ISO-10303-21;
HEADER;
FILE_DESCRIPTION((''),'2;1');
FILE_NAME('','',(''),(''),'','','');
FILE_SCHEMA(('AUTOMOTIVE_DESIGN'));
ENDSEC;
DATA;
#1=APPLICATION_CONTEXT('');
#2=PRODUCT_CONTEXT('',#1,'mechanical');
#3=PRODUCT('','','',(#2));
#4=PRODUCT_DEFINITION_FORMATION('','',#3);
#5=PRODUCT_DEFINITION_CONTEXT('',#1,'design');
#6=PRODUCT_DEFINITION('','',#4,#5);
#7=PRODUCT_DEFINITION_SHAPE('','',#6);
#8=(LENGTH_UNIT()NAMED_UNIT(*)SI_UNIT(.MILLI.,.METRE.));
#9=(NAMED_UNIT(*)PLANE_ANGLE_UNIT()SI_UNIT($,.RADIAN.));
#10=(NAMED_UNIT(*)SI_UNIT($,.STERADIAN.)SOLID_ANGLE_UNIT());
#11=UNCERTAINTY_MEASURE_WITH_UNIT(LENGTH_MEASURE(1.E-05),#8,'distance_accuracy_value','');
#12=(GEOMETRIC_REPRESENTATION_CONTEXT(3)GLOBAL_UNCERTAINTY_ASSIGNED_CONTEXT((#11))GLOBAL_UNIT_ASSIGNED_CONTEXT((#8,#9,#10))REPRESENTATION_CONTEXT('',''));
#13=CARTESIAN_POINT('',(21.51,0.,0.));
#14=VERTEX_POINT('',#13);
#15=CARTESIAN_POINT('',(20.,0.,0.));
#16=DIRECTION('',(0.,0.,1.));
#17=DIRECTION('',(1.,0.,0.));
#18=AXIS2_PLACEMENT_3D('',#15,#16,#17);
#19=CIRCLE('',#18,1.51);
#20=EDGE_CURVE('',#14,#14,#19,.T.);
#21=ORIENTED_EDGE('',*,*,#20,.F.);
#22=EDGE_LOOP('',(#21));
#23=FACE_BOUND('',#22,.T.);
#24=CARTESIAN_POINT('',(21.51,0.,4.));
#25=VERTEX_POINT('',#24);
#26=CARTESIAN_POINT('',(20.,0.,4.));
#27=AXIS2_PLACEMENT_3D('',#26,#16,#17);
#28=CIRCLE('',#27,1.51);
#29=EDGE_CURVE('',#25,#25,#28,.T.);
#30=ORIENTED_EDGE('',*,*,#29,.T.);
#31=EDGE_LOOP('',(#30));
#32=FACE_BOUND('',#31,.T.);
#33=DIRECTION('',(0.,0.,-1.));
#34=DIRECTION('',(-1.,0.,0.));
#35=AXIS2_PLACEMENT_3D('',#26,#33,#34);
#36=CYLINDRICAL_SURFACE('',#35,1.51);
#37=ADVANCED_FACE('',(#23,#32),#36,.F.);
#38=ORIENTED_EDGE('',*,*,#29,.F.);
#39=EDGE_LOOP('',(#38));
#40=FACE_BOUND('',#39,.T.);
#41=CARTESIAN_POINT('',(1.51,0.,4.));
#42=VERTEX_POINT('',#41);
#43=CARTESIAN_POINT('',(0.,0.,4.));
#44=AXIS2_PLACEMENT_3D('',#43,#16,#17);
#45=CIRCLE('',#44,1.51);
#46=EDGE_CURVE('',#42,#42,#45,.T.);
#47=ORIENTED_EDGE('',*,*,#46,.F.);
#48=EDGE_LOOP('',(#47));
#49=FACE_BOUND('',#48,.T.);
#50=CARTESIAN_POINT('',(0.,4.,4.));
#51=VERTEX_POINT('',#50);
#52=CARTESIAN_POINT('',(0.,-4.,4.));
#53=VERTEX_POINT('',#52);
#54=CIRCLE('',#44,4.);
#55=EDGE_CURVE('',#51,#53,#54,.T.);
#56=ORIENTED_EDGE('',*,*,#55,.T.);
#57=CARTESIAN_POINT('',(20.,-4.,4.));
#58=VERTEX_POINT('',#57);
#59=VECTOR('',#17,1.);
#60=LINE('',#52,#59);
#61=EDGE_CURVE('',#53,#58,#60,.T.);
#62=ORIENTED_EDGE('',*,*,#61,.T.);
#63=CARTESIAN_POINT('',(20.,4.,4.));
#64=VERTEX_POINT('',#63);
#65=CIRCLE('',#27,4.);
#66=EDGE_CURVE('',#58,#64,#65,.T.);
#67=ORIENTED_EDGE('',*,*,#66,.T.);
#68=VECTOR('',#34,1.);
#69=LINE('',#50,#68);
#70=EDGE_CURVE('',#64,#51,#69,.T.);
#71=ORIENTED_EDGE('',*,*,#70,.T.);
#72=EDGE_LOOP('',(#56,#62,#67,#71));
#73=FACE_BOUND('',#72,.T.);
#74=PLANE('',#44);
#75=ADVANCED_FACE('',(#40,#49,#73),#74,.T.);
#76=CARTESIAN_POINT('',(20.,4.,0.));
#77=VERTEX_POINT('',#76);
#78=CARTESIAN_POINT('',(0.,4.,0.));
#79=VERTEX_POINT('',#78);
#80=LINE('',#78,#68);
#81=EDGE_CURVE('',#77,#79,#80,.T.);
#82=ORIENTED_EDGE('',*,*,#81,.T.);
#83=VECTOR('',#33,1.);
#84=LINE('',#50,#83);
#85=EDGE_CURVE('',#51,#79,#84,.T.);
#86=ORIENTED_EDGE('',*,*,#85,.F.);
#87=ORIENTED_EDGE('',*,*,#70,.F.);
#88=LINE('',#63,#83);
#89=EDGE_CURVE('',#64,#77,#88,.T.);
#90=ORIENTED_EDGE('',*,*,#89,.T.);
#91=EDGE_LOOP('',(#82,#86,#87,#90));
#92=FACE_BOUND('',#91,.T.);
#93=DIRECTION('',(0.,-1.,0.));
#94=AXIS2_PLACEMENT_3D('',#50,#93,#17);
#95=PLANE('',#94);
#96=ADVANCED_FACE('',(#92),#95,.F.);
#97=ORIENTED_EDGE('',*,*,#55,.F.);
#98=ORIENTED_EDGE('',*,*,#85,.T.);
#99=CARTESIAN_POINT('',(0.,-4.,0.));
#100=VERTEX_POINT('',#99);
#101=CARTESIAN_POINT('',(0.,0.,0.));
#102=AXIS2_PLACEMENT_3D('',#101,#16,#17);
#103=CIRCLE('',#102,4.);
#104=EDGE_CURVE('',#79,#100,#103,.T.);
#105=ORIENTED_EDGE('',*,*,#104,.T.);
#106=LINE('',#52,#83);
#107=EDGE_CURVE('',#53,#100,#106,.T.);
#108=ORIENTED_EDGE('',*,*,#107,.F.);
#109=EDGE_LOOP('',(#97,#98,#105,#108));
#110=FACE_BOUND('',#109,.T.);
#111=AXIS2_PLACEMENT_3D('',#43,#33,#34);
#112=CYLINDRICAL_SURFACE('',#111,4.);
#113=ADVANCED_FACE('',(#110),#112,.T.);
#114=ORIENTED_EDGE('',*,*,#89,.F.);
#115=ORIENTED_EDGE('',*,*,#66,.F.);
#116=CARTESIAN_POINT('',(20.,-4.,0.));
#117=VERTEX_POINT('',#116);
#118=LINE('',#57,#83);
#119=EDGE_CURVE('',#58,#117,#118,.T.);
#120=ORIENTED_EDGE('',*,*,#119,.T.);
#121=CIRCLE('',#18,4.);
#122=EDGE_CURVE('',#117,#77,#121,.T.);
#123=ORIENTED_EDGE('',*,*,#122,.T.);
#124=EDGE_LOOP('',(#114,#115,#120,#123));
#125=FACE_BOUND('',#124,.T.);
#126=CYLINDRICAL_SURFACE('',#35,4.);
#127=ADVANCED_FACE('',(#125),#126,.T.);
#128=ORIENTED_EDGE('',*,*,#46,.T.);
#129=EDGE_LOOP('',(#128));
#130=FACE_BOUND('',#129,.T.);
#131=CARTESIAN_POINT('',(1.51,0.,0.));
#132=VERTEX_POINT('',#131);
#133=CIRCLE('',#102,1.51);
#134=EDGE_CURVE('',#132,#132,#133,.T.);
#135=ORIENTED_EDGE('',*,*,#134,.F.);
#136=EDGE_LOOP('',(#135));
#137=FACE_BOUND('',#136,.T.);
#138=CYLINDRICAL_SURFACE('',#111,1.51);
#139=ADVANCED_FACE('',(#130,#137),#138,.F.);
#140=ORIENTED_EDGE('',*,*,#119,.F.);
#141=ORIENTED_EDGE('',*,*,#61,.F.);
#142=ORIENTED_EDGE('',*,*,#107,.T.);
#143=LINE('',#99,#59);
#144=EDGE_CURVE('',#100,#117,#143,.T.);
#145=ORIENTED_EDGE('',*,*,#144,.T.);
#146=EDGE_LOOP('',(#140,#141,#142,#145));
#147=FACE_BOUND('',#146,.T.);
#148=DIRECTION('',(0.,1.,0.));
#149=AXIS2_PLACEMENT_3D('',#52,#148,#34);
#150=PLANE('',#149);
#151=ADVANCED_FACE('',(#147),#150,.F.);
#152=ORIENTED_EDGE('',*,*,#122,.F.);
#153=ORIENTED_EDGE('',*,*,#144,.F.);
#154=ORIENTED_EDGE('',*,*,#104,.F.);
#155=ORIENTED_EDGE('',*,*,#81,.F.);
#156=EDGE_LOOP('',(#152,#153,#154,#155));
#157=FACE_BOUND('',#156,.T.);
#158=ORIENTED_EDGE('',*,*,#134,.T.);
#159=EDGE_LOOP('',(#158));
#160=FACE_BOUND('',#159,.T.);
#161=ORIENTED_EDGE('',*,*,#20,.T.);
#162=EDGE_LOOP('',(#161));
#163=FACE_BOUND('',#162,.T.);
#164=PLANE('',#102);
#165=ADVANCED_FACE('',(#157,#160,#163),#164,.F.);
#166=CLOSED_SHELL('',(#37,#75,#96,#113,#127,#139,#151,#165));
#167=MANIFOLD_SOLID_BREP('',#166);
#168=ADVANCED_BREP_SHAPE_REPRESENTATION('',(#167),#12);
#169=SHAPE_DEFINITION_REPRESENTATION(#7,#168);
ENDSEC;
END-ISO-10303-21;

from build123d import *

# Parameters (mm, degrees)
SKETCH1_R           = 1.51
BOSS_EXTRUDE1_DEPTH = 4


with BuildPart() as part:
    # Sketch1 → Boss-Extrude1 (new body)
    with BuildSketch(Plane.XY):
        with BuildLine():
            Line((0, 4), (20, 4))
            ThreePointArc((20, 4), (24, 0), (20, -4))
            Line((20, -4), (0, -4))
            ThreePointArc((0, -4), (-4, 0), (0, 4))
        make_face()
        Circle(SKETCH1_R, mode=Mode.SUBTRACT)
        with Locations((20, 0)):
            Circle(SKETCH1_R, mode=Mode.SUBTRACT)
    extrude(amount=BOSS_EXTRUDE1_DEPTH)


solid = part.part
